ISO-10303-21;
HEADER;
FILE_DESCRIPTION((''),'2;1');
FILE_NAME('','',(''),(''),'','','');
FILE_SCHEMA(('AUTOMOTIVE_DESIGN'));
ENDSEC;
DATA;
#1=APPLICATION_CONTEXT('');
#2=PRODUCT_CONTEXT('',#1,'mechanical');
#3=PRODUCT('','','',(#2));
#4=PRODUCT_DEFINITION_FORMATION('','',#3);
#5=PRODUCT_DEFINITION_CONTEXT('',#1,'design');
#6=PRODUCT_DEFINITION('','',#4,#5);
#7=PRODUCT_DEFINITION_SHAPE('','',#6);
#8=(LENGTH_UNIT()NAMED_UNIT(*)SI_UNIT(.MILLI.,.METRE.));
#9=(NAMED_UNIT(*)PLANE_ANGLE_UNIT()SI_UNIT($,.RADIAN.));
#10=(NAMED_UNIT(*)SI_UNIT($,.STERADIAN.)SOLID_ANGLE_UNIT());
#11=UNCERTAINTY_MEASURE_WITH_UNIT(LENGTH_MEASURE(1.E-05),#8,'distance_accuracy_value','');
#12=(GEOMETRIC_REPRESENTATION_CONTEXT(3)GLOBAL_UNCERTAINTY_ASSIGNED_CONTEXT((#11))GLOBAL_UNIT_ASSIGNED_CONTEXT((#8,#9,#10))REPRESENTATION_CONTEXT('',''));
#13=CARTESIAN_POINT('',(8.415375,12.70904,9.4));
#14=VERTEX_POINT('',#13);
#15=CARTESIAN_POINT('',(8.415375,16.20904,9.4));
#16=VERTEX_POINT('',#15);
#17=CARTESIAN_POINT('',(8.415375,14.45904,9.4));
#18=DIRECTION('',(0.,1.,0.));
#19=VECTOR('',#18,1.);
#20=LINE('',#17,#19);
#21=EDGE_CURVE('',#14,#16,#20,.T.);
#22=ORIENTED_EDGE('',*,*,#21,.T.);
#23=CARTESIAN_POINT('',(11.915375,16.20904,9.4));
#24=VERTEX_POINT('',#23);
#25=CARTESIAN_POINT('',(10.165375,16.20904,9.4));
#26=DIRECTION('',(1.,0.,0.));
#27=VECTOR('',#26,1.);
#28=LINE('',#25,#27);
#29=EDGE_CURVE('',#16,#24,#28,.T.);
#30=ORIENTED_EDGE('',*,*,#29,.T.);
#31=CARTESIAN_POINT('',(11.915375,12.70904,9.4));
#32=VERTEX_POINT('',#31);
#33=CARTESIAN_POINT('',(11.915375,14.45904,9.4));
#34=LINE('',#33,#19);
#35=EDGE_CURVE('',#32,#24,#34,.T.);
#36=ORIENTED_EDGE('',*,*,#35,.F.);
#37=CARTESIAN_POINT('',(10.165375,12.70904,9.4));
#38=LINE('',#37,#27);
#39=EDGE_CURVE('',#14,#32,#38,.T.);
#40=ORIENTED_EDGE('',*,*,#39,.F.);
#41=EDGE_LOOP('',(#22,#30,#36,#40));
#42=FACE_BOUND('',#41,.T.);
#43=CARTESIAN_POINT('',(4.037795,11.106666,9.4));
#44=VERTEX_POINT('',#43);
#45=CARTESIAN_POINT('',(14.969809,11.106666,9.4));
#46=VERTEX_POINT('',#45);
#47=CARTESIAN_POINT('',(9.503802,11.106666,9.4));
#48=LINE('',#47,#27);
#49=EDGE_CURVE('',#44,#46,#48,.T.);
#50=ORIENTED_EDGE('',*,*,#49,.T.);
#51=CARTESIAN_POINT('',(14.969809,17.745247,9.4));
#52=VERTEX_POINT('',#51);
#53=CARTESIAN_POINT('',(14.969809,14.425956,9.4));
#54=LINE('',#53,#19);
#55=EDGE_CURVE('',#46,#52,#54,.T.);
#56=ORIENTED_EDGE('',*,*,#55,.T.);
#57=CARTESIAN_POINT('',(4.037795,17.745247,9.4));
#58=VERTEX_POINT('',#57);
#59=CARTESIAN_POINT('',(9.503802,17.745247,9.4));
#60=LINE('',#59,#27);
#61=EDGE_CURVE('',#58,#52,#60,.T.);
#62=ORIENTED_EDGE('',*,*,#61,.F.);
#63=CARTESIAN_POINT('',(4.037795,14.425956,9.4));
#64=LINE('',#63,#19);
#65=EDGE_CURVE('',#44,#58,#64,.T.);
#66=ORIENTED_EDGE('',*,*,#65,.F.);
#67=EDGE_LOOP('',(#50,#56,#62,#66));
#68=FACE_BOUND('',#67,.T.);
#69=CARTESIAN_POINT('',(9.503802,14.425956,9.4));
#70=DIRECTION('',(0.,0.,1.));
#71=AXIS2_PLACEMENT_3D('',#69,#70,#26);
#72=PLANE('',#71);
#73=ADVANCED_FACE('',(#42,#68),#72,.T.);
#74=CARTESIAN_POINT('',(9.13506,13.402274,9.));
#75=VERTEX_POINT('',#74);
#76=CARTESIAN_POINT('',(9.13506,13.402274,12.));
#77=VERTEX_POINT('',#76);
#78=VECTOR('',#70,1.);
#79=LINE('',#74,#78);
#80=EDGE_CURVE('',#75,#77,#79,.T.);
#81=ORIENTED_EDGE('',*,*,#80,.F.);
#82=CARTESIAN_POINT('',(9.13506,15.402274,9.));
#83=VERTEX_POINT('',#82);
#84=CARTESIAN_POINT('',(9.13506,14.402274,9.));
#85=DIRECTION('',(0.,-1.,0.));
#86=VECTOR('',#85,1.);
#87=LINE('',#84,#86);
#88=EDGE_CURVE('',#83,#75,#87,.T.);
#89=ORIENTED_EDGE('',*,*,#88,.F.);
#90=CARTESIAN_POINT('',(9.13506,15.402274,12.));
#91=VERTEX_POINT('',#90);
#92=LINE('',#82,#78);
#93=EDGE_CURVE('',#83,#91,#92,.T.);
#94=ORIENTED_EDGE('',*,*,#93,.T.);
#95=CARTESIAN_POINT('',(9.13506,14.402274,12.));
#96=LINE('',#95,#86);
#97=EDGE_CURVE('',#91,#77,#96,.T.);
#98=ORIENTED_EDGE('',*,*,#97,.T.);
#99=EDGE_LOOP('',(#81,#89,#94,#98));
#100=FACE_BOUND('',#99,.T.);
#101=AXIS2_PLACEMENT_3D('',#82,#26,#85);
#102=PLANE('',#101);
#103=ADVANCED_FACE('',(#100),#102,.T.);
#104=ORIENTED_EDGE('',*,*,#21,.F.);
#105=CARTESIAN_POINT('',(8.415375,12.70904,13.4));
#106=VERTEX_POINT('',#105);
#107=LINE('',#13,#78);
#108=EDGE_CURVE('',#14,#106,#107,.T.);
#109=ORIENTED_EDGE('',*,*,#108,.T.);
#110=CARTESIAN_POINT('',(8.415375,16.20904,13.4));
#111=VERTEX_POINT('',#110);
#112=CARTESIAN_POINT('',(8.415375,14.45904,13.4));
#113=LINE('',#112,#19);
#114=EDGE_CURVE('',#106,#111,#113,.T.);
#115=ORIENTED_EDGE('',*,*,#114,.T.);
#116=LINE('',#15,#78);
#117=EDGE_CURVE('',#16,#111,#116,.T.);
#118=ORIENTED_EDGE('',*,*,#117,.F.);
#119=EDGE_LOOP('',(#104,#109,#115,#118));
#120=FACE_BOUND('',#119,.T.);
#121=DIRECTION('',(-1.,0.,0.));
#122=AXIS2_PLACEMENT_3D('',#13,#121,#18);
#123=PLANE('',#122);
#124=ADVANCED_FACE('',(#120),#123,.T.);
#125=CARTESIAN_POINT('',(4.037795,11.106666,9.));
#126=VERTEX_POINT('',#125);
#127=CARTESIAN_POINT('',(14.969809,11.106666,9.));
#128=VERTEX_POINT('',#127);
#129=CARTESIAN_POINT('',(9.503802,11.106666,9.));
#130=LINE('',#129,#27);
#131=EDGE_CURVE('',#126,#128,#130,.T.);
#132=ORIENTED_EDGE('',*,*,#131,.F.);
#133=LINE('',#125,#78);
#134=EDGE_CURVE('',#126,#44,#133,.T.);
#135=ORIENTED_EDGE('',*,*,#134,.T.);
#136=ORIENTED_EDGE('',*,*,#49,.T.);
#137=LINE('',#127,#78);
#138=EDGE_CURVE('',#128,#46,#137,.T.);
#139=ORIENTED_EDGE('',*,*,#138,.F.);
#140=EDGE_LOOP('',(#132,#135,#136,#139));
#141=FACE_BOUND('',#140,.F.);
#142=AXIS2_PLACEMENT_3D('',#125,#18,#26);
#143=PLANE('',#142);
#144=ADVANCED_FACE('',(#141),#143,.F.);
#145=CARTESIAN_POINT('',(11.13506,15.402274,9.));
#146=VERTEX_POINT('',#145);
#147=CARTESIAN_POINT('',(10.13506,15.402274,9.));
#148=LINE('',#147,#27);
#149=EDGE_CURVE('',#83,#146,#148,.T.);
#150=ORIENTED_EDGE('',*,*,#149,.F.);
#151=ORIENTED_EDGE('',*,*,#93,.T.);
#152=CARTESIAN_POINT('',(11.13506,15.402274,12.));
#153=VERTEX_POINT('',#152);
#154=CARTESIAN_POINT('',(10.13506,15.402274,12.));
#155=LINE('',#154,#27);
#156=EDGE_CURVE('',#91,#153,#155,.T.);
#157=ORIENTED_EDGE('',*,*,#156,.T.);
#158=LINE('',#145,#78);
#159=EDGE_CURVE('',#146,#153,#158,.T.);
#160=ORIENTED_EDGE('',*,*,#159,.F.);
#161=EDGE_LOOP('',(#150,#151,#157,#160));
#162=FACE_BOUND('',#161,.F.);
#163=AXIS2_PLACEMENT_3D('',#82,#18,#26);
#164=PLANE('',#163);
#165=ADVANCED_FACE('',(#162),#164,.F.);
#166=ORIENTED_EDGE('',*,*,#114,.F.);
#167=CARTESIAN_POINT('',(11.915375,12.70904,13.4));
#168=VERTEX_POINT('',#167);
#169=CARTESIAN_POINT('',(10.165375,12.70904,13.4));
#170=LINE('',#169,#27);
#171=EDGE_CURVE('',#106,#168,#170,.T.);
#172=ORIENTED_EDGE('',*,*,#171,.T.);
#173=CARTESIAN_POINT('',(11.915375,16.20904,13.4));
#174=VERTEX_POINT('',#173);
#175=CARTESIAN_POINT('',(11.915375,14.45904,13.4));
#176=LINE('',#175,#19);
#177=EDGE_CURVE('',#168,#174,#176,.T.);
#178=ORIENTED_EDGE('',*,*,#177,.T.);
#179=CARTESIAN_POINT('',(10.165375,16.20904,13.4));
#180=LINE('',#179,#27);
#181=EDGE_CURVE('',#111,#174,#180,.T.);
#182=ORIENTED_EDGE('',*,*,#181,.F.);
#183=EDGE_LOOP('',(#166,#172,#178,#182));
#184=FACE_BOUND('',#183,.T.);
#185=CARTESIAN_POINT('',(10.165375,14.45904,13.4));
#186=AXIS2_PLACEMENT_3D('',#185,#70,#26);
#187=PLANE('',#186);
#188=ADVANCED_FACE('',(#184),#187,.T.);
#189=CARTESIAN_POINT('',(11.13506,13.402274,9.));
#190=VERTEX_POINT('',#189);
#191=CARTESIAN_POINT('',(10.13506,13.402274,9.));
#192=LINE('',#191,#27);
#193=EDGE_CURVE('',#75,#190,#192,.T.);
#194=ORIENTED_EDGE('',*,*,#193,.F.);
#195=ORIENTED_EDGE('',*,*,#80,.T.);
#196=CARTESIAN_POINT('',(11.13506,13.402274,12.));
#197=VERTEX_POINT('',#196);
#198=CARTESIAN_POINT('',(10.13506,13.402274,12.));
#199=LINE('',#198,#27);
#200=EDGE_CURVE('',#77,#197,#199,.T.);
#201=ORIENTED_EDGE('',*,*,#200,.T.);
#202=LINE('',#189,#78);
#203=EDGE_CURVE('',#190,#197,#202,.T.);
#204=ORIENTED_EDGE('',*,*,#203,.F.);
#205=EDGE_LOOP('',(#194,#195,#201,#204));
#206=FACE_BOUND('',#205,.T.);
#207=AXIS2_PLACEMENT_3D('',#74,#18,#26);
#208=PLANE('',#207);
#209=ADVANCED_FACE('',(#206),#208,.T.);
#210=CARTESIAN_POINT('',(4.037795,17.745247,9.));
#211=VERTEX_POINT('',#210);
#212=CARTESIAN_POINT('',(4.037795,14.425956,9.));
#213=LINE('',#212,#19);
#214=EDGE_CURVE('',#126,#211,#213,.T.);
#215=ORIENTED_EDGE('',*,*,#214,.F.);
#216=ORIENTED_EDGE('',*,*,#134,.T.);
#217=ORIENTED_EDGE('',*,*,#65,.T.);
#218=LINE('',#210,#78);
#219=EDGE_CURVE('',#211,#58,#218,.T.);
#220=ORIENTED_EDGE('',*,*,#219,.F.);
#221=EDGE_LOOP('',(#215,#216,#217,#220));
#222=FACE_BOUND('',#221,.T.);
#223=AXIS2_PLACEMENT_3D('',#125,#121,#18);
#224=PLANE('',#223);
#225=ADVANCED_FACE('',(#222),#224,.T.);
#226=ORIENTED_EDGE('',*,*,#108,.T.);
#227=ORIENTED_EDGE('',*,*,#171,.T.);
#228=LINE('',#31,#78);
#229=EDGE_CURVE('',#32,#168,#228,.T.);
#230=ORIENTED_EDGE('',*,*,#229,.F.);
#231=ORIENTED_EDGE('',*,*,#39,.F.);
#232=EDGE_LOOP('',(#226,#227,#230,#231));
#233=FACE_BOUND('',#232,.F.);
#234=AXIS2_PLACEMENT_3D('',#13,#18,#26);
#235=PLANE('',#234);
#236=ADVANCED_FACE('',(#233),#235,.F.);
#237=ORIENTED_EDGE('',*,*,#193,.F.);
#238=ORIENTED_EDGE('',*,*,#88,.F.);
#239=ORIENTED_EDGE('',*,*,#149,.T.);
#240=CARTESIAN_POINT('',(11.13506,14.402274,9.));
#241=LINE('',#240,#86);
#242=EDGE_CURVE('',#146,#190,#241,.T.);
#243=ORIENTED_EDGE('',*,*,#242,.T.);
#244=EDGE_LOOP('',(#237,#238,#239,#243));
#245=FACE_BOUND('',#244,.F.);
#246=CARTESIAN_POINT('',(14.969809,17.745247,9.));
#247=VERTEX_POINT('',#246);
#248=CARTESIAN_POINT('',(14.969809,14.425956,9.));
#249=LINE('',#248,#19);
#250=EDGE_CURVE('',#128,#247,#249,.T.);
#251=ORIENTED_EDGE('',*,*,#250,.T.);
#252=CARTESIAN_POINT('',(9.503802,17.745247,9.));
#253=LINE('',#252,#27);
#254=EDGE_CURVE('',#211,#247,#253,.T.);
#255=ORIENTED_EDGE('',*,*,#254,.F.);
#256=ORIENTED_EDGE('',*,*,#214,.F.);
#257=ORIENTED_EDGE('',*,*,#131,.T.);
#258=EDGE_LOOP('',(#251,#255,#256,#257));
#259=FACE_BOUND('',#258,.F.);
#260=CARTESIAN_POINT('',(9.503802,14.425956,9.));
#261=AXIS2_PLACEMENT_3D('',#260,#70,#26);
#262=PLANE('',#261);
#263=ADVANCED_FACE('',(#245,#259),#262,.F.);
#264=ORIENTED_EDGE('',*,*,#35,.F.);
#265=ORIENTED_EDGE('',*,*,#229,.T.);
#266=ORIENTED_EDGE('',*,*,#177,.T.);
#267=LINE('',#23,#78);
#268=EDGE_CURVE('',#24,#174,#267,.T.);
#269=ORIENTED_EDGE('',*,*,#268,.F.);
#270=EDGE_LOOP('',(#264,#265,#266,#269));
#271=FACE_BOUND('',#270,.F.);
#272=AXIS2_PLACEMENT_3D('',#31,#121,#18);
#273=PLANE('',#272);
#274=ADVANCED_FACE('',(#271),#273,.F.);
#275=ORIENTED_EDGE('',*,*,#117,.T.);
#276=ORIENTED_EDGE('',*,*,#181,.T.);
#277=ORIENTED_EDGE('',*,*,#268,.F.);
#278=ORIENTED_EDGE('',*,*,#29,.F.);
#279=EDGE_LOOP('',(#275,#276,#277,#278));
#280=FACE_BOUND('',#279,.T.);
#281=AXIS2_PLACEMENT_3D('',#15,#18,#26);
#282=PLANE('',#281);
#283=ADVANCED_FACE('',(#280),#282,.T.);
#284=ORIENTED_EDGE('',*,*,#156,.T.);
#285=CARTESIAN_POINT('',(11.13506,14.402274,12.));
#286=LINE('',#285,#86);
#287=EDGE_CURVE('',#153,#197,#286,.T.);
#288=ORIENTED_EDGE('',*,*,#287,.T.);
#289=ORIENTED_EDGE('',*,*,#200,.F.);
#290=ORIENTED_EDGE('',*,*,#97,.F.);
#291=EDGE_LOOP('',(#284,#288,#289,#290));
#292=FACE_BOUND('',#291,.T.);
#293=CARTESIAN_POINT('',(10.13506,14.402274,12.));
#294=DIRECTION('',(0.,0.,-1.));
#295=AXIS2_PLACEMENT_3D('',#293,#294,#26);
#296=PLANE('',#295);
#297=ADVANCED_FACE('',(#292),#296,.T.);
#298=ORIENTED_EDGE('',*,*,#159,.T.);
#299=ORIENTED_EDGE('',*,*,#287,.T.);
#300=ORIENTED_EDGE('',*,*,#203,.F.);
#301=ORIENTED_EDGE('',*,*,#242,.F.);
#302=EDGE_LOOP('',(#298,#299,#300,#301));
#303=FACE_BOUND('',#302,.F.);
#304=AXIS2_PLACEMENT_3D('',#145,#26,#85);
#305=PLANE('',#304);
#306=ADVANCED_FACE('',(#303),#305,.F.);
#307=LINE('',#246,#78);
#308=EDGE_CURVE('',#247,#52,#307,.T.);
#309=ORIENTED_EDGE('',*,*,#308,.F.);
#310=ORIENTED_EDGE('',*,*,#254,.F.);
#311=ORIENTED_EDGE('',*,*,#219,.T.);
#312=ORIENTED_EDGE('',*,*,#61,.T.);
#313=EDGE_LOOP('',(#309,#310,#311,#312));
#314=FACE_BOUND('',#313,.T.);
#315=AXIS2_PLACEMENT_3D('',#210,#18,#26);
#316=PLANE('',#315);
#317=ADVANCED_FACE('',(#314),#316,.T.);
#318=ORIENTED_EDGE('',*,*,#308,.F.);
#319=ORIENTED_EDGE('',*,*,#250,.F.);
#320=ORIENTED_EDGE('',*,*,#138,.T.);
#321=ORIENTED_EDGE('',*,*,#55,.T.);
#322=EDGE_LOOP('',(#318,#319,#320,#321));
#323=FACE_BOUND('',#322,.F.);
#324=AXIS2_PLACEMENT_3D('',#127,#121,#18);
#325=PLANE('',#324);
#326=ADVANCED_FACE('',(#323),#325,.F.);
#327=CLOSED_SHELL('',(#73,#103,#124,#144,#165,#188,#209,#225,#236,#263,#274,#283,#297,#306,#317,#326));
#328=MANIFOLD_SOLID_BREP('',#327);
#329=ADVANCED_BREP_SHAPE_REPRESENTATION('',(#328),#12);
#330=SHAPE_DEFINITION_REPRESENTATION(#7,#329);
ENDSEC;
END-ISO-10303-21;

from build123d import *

# Parameters (mm, degrees)
SKETCH015_W     = 10.932014
SKETCH015_H     = 6.638581
PAD007_DEPTH    = 0.4
SKETCH016_W     = 3.5
SKETCH016_H     = 3.5
PAD008_DEPTH    = 4
SKETCH017_W     = 2
SKETCH017_H     = 2
POCKET008_DEPTH = 3


with BuildPart() as part:
    # Sketch015 → Pad007 (new body)
    with BuildSketch(Plane.XY.offset(13)):
        with Locations((9.503802, 14.425956)):
            Rectangle(SKETCH015_W, SKETCH015_H)
    extrude(amount=PAD007_DEPTH)

    # Sketch016 (on Face6 of Pad007) → Pad008 (join)
    with BuildSketch(Plane.XY.offset(13.4)):
        with Locations((10.165375, 14.45904)):
            Rectangle(SKETCH016_W, SKETCH016_H)
    extrude(amount=PAD008_DEPTH)

    # Sketch017 (on Face4 of Pad008) → Pocket008 (cut)
    with BuildSketch(Plane(origin=(0, 0, 13), x_dir=(1, 0, 0), z_dir=(0, 0, -1))):
        with Locations((10.13506, -14.402274)):
            Rectangle(SKETCH017_W, SKETCH017_H)
    extrude(amount=-POCKET008_DEPTH, mode=Mode.SUBTRACT)


with BuildPart() as part_1:
    # Body006 placement: moved
    add(part.part.moved(Location((0, 0, -4))))


solid = part_1.part
